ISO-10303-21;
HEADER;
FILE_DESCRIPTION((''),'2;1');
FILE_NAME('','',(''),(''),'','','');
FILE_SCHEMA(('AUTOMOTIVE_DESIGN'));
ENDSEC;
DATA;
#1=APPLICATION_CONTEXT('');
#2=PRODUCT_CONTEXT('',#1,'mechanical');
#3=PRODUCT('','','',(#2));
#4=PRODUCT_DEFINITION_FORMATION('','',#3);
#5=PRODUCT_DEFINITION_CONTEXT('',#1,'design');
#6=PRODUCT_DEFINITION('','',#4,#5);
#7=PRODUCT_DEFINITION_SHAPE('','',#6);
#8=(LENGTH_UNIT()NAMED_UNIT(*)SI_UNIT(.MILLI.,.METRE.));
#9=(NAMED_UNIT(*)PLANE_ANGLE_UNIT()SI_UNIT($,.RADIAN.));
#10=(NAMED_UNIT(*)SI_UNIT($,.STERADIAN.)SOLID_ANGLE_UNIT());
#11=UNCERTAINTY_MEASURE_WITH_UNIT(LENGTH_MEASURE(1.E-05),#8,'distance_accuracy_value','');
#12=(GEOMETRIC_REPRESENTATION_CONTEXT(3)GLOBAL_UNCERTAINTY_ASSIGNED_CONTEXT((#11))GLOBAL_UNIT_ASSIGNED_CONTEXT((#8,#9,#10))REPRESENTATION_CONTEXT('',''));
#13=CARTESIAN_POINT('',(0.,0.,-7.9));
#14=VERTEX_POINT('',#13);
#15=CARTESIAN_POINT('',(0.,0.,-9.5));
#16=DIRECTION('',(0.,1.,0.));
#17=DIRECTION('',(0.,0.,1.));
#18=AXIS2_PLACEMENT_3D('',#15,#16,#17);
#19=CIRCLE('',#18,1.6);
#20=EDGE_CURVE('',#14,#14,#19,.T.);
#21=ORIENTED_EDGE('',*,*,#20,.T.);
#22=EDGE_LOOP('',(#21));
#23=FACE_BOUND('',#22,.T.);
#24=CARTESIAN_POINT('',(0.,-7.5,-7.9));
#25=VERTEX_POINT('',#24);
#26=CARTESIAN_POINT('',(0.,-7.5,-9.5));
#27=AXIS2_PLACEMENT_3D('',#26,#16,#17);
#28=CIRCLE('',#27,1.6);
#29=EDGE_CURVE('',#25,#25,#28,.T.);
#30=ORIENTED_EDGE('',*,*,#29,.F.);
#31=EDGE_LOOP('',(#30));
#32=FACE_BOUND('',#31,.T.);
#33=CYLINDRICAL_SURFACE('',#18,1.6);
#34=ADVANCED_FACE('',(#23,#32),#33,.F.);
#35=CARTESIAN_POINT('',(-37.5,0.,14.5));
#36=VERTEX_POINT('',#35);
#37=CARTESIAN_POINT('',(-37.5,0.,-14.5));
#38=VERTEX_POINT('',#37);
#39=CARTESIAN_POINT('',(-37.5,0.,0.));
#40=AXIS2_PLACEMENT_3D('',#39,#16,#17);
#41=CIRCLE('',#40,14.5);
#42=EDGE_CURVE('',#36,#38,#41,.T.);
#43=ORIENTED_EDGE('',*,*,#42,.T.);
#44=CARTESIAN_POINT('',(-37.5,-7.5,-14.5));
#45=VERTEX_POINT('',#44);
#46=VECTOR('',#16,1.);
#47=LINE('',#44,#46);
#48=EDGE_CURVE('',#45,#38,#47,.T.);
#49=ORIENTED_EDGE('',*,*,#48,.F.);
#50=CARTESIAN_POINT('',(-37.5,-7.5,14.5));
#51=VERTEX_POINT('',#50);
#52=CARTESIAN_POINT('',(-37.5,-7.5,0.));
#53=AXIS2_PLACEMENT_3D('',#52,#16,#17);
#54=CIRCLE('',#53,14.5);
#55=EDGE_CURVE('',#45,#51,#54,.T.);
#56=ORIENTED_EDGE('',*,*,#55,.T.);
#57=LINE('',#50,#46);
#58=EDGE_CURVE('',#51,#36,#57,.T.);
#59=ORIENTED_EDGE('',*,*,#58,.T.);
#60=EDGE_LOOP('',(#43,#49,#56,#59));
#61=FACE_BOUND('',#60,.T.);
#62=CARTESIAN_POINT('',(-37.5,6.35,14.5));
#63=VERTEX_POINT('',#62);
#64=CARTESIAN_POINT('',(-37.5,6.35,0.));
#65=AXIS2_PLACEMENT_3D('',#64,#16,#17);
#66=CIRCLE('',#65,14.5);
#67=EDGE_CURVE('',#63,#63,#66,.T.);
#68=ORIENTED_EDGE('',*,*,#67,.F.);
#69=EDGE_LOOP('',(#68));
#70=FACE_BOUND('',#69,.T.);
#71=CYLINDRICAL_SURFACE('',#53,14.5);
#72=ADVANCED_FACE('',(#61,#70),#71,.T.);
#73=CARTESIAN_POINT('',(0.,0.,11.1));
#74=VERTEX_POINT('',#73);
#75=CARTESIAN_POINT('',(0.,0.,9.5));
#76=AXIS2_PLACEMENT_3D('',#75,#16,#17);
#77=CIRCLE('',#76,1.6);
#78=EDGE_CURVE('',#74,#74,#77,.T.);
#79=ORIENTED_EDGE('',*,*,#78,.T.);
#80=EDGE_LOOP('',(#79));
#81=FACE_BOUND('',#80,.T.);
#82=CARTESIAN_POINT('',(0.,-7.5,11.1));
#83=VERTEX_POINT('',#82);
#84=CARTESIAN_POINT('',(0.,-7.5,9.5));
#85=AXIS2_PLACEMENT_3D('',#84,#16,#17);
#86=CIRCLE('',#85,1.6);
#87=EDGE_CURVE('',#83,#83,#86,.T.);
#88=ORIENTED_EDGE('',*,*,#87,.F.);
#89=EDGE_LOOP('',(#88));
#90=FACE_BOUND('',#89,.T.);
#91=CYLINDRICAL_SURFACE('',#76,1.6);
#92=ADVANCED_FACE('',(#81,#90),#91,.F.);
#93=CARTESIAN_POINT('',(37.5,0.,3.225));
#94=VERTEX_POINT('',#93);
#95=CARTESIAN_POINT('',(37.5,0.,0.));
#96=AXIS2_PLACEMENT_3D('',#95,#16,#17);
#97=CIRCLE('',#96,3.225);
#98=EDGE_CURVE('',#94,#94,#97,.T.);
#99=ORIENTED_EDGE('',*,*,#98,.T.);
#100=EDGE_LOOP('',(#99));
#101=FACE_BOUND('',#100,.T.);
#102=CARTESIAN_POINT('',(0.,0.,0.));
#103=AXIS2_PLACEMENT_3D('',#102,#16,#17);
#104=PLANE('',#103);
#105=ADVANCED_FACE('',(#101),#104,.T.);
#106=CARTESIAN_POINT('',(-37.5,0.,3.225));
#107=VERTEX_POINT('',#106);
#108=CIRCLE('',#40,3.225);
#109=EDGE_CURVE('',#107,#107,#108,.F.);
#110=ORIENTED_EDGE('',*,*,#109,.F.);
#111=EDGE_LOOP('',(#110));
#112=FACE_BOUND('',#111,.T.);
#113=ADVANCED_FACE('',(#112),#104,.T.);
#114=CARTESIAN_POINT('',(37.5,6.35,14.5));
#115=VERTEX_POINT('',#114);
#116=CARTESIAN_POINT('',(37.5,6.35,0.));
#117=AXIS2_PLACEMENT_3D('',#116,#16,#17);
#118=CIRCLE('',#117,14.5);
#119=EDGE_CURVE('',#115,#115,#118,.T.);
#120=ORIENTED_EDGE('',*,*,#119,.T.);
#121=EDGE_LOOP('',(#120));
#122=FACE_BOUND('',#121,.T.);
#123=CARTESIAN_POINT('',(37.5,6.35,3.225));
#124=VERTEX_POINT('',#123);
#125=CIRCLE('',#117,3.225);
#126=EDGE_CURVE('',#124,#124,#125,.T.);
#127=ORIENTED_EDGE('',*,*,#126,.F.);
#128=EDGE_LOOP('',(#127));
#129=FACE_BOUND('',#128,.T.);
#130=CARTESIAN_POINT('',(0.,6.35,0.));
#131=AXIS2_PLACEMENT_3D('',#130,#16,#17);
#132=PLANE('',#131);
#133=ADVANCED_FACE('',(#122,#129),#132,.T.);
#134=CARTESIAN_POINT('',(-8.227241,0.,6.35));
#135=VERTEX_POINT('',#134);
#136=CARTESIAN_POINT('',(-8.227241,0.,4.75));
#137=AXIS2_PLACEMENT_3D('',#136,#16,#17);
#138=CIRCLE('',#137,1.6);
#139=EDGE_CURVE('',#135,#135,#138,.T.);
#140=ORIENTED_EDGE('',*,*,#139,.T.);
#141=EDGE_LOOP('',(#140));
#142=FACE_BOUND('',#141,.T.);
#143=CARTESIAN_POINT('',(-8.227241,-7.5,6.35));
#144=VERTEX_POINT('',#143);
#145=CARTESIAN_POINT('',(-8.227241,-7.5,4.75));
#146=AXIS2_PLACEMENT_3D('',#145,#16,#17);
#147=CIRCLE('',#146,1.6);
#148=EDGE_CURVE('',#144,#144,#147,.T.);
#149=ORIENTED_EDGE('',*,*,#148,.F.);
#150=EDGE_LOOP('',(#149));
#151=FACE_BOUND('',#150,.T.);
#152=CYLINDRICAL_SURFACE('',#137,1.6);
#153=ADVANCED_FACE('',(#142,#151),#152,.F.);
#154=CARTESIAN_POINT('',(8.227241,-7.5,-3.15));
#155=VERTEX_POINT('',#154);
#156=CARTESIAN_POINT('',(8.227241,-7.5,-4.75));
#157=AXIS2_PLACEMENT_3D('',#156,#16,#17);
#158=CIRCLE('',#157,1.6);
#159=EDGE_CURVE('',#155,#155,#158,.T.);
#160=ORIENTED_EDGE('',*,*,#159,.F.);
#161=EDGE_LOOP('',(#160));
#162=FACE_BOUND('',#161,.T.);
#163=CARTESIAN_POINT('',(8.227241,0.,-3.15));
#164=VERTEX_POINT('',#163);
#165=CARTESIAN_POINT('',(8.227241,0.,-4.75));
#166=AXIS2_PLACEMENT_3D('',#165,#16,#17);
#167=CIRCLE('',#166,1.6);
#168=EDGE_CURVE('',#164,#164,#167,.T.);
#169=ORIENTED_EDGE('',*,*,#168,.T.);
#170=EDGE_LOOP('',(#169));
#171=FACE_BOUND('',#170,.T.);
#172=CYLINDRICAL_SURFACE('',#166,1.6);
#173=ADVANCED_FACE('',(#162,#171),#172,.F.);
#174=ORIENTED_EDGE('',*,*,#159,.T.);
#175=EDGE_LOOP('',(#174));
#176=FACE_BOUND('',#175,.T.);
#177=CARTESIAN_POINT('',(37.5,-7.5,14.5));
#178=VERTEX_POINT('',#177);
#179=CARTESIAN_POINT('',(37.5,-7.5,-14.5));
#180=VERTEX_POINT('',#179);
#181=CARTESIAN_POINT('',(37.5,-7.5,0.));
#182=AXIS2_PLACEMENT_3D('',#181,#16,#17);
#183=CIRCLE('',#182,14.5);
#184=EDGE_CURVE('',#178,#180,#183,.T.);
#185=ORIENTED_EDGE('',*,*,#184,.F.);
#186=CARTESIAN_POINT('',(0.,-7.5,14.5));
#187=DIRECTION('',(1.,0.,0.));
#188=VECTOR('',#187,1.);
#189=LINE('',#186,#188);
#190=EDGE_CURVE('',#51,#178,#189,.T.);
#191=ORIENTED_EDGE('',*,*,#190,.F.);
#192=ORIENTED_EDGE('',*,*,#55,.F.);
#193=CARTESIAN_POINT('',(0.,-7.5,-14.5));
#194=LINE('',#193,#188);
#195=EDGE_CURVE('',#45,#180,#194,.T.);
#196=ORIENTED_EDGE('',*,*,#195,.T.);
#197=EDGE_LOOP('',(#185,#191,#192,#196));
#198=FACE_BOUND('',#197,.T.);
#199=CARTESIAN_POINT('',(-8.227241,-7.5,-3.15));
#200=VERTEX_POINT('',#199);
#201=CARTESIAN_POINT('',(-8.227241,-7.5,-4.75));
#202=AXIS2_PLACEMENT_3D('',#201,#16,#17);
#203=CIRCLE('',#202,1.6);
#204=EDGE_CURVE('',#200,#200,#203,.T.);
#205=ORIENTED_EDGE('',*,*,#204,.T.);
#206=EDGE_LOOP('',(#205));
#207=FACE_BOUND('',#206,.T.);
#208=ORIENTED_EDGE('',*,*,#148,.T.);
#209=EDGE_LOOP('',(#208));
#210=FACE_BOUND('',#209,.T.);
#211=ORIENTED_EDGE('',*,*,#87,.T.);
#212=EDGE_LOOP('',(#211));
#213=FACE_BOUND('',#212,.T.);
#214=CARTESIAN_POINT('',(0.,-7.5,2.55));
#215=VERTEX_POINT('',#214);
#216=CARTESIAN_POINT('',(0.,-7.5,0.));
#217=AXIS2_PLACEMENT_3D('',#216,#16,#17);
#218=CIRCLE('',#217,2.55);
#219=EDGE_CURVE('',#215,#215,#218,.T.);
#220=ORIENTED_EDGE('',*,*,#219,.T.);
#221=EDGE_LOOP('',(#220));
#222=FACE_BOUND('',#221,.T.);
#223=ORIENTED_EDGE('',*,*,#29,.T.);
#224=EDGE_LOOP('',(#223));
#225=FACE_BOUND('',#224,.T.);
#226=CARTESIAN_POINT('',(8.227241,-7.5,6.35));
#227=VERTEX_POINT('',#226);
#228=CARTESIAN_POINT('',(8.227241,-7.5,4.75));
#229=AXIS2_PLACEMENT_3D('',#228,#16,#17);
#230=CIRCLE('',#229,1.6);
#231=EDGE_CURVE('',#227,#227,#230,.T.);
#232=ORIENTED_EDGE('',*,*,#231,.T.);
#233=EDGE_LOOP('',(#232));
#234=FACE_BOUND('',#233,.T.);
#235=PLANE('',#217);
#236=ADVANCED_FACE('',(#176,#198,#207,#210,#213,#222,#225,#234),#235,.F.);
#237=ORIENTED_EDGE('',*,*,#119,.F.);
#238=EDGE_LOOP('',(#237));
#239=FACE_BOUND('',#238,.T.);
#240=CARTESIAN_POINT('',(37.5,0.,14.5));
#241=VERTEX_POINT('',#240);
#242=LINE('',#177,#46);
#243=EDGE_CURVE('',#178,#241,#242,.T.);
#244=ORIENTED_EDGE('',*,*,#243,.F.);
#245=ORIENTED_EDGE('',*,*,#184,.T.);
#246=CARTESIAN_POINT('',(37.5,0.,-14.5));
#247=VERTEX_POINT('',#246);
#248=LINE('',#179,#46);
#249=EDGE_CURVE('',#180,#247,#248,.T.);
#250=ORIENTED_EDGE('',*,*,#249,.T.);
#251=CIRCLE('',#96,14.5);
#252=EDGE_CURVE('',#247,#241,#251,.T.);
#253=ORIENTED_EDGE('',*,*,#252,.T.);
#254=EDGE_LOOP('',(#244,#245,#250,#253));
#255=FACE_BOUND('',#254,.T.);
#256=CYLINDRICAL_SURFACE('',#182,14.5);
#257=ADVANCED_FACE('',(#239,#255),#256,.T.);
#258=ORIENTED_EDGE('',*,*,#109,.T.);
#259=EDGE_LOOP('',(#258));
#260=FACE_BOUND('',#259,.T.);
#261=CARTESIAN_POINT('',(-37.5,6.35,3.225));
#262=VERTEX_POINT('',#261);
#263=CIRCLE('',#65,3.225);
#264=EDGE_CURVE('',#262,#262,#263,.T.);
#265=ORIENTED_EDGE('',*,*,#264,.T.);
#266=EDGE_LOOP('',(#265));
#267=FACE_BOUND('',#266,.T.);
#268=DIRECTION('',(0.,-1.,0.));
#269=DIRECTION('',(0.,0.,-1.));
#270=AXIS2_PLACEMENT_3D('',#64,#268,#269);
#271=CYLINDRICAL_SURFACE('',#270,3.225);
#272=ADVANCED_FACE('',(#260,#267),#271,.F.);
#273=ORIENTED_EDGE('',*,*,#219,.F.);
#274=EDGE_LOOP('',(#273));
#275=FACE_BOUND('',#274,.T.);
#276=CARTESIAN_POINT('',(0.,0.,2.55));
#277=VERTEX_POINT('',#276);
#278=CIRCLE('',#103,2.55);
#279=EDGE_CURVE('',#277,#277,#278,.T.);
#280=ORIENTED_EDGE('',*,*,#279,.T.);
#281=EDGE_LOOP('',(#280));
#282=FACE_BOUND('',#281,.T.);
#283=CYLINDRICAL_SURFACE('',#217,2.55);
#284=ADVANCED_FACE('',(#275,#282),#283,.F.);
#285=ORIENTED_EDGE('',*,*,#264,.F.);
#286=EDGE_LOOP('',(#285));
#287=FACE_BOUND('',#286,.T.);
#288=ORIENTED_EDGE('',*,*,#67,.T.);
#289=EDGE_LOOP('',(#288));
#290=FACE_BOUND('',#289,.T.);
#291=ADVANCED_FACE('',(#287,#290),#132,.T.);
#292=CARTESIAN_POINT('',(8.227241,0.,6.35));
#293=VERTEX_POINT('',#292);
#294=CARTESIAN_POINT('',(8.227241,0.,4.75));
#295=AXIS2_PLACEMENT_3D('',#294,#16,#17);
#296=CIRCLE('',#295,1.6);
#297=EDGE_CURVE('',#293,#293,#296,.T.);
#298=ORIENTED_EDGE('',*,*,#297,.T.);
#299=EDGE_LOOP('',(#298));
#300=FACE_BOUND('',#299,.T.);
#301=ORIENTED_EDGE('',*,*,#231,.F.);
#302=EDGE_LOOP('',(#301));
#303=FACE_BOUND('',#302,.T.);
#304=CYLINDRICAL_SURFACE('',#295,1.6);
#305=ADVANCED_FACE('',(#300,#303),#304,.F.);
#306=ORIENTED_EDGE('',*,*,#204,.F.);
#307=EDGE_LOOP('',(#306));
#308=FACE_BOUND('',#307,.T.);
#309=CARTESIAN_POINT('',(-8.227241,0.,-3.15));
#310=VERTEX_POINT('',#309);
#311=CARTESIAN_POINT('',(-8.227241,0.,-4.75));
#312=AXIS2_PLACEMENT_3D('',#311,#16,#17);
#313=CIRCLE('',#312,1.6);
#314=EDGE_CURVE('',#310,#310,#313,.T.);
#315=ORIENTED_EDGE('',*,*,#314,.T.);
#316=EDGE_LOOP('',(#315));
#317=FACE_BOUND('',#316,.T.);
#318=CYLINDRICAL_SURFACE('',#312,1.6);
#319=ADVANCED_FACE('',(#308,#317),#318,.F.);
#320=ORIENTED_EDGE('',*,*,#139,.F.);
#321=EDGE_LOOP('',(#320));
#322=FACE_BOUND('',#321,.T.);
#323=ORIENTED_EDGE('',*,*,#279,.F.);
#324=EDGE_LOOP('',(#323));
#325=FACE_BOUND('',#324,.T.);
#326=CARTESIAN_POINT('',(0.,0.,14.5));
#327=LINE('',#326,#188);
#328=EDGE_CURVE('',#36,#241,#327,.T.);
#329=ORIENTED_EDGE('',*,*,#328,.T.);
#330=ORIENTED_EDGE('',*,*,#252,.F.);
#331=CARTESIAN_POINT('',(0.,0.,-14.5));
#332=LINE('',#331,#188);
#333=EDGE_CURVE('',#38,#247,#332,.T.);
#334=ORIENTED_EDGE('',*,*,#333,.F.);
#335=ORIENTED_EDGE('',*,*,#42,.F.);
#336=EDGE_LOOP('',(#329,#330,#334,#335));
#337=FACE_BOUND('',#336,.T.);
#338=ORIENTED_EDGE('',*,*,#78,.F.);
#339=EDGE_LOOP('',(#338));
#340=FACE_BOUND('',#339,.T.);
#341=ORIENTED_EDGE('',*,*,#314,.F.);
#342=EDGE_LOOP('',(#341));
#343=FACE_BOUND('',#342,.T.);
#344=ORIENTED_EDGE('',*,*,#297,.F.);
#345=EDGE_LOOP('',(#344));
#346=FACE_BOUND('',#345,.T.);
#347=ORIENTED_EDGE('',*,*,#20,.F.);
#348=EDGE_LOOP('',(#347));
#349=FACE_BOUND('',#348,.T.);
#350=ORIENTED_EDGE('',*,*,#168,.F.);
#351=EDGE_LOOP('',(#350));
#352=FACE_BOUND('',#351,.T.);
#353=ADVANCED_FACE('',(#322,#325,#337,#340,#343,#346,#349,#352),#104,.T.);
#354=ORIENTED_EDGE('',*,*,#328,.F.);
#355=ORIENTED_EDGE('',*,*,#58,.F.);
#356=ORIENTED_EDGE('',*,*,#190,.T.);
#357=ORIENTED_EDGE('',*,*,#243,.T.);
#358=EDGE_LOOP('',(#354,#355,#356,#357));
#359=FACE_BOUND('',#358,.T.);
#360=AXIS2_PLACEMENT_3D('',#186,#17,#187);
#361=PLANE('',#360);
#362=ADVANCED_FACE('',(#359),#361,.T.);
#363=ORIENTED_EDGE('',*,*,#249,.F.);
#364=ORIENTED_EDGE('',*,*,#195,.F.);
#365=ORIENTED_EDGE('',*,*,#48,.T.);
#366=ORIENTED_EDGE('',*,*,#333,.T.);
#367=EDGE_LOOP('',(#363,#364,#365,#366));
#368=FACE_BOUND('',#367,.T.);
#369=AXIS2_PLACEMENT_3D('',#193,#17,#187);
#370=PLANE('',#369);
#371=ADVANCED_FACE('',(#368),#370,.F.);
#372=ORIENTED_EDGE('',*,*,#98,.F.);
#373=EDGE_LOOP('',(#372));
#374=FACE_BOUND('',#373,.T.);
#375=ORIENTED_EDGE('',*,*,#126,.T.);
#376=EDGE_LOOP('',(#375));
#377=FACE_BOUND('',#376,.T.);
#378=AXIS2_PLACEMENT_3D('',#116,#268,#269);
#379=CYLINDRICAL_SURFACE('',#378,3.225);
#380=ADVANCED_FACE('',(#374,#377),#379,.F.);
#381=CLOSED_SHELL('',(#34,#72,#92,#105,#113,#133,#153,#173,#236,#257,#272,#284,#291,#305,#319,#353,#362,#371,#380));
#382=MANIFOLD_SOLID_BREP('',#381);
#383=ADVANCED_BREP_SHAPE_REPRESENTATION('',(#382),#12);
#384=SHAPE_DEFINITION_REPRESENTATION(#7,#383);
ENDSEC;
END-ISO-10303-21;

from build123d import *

# Parameters (mm, degrees)
SKETCH1_R            = 2.55
BOSS_EXTRUDE1_DEPTH  = 7.5
BOSS_EXTRUDE2_START  = 6.35
SKETCH1_3_R          = 14.5
SKETCH1_3_R_2        = 3.225
BOSS_EXTRUDE2_DEPTH  = 6.35
M3_CLEARANCE_HOLE1_D = 3.2


with BuildPart() as part:
    # Sketch1 → Boss-Extrude1 (new body)
    with BuildSketch(Plane(origin=(0, 0, 0), x_dir=(1, 0, 0), z_dir=(0, 1, 0))):
        with BuildLine():
            Line((37.5, 14.5), (-37.5, 14.5))
            ThreePointArc((-37.5, 14.5), (-52, 0), (-37.5, -14.5))
            Line((-37.5, -14.5), (37.5, -14.5))
            ThreePointArc((37.5, -14.5), (52, 0), (37.5, 14.5))
        make_face()
        Circle(SKETCH1_R, mode=Mode.SUBTRACT)
    extrude(amount=-BOSS_EXTRUDE1_DEPTH)

    # Sketch1<3> → Boss-Extrude2 (add)
    # profile 1 of 2: a face of its own
    with BuildSketch(Plane(origin=(0, 0, 0), x_dir=(1, 0, 0), z_dir=(0, 1, 0)).offset(BOSS_EXTRUDE2_START)):
        with Locations((-37.5, 0)):
            Circle(SKETCH1_3_R)
        with Locations((-37.5, 0)):
            Circle(SKETCH1_3_R_2, mode=Mode.SUBTRACT)
    # profile 2 of 2: a face of its own
    with BuildSketch(Plane(origin=(0, 0, 0), x_dir=(1, 0, 0), z_dir=(0, 1, 0)).offset(BOSS_EXTRUDE2_START)):
        with Locations((37.5, 0)):
            Circle(SKETCH1_3_R)
        with Locations((37.5, 0)):
            Circle(SKETCH1_3_R_2, mode=Mode.SUBTRACT)
    extrude(amount=-BOSS_EXTRUDE2_DEPTH)

    # M3 Clearance Hole1 (through all)
    with Locations(Plane(origin=(-8.227241336, 0, -4.75), x_dir=(0, 0, 1), z_dir=(0, 1, 0))):
        with Locations((0, 0), (-4.75, 8.227241336), (0, 16.454482672), (9.5, 0), (9.5, 16.454482672), (14.25, 8.227241336)):
            Hole(M3_CLEARANCE_HOLE1_D / 2)


solid = part.part
